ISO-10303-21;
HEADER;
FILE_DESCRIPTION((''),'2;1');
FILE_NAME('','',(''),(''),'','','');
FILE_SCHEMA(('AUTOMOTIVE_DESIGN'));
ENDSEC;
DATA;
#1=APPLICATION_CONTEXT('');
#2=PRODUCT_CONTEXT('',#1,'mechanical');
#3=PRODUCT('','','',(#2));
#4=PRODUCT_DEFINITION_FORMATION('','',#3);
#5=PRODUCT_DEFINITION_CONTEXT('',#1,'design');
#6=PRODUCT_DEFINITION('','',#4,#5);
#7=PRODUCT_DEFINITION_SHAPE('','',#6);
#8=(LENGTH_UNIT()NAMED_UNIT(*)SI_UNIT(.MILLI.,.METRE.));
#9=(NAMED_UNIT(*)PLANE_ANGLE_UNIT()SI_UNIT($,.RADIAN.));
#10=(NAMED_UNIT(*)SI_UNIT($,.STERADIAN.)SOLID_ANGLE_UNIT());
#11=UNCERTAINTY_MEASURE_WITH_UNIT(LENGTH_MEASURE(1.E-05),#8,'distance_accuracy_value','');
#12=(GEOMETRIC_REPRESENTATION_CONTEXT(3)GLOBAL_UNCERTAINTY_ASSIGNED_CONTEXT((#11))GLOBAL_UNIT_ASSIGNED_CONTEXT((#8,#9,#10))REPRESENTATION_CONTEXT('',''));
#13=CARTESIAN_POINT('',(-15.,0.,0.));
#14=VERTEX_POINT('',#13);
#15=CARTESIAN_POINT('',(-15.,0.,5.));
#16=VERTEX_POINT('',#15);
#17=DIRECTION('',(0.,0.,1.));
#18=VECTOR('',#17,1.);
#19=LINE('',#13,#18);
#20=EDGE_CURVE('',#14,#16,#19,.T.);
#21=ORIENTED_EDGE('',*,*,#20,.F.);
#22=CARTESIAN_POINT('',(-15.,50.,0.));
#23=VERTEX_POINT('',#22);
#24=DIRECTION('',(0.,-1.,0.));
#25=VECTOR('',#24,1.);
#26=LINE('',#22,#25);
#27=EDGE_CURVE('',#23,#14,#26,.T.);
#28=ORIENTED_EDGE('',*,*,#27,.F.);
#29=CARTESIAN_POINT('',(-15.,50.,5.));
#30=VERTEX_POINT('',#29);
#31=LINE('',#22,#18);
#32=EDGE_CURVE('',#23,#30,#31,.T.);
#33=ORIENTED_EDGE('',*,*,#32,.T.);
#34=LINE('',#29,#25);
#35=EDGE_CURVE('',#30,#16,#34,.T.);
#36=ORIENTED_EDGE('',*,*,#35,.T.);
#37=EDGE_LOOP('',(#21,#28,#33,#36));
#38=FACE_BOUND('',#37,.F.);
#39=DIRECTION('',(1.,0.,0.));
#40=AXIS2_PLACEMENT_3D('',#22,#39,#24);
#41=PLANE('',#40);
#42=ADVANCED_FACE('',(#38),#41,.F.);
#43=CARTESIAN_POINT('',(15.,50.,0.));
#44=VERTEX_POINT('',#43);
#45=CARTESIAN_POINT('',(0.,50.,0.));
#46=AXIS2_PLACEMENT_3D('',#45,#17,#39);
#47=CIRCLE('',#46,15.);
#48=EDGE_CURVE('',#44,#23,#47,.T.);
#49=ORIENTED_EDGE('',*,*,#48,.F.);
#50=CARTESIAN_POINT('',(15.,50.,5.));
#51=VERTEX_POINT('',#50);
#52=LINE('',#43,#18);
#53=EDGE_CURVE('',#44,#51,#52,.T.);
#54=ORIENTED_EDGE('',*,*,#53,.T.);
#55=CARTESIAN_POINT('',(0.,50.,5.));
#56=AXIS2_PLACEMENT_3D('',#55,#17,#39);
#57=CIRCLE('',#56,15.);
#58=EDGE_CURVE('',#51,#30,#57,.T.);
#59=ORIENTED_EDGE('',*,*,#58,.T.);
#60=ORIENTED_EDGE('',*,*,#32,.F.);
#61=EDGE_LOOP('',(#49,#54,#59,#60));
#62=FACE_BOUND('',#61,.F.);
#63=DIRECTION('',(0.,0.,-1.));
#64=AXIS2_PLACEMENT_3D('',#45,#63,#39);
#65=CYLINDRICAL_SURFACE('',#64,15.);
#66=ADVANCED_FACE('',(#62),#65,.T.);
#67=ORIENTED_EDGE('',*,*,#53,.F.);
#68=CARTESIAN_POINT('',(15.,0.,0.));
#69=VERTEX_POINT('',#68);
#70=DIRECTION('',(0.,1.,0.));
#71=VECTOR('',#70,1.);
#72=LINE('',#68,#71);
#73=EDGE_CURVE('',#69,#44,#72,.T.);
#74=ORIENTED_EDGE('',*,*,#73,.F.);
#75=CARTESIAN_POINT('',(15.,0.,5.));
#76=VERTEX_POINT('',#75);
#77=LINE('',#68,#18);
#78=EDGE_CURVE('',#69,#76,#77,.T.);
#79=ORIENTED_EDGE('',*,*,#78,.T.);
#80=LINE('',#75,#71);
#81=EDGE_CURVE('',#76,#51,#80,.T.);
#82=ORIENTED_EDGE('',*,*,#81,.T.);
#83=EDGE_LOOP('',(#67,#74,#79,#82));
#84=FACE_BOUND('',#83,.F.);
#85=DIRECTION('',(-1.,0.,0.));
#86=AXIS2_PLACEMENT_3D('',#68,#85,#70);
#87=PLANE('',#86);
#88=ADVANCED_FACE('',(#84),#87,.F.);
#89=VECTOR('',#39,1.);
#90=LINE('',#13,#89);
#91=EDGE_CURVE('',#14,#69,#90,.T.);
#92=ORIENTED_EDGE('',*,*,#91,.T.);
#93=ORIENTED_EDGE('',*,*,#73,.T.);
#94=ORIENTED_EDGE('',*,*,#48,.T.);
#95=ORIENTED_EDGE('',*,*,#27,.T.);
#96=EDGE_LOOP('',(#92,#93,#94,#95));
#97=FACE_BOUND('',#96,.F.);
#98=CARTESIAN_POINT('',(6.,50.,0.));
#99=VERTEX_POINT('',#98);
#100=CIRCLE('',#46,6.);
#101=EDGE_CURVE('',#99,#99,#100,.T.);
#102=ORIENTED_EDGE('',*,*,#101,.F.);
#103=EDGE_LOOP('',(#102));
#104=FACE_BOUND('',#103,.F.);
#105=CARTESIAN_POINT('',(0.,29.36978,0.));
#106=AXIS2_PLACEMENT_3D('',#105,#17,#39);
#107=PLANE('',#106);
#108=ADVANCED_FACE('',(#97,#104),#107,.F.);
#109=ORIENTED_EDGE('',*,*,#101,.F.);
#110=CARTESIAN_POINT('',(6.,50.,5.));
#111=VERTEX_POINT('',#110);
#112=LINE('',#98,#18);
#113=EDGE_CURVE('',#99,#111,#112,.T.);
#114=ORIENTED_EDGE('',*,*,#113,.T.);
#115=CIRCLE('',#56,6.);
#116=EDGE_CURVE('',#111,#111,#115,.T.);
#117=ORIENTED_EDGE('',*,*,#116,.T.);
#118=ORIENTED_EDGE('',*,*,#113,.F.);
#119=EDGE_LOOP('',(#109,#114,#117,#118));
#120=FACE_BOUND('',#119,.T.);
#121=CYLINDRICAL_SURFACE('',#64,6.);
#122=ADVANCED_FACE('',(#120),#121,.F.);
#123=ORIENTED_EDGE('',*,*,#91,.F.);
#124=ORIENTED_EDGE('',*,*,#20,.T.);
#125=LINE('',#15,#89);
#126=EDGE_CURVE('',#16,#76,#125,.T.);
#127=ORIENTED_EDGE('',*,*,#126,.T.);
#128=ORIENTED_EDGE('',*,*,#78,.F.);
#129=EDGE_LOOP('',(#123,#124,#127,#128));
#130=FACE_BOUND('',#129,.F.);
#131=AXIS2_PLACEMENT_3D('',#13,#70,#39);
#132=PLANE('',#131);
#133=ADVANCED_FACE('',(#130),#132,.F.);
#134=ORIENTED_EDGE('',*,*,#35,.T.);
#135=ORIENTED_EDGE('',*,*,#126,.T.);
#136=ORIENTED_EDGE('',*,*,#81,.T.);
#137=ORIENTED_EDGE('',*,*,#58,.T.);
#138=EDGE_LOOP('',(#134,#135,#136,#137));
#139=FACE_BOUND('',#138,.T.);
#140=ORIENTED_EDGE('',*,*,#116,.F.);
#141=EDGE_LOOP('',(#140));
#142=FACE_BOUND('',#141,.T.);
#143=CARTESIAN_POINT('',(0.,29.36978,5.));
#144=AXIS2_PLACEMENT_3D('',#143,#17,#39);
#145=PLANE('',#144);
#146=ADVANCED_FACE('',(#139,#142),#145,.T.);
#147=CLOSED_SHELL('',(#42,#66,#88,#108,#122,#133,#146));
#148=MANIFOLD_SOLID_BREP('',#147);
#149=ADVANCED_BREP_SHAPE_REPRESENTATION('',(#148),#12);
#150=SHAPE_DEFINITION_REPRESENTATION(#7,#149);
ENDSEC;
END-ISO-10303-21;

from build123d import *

# Parameters (mm, degrees)
F0_R     = 6
F1_DEPTH = 5


with BuildPart() as f1:
    # F0 (on Top) → F1 (new body)
    with BuildSketch(Plane.XY):
        with BuildLine():
            Line((-15, 50), (-15, 0))
            Line((-15, 0), (15, 0))
            Line((15, 0), (15, 50))
            ThreePointArc((15, 50), (0, 65), (-15, 50))
        make_face()
        with Locations((0, 50)):
            Circle(F0_R, mode=Mode.SUBTRACT)
    extrude(amount=F1_DEPTH)


solid = f1.part
